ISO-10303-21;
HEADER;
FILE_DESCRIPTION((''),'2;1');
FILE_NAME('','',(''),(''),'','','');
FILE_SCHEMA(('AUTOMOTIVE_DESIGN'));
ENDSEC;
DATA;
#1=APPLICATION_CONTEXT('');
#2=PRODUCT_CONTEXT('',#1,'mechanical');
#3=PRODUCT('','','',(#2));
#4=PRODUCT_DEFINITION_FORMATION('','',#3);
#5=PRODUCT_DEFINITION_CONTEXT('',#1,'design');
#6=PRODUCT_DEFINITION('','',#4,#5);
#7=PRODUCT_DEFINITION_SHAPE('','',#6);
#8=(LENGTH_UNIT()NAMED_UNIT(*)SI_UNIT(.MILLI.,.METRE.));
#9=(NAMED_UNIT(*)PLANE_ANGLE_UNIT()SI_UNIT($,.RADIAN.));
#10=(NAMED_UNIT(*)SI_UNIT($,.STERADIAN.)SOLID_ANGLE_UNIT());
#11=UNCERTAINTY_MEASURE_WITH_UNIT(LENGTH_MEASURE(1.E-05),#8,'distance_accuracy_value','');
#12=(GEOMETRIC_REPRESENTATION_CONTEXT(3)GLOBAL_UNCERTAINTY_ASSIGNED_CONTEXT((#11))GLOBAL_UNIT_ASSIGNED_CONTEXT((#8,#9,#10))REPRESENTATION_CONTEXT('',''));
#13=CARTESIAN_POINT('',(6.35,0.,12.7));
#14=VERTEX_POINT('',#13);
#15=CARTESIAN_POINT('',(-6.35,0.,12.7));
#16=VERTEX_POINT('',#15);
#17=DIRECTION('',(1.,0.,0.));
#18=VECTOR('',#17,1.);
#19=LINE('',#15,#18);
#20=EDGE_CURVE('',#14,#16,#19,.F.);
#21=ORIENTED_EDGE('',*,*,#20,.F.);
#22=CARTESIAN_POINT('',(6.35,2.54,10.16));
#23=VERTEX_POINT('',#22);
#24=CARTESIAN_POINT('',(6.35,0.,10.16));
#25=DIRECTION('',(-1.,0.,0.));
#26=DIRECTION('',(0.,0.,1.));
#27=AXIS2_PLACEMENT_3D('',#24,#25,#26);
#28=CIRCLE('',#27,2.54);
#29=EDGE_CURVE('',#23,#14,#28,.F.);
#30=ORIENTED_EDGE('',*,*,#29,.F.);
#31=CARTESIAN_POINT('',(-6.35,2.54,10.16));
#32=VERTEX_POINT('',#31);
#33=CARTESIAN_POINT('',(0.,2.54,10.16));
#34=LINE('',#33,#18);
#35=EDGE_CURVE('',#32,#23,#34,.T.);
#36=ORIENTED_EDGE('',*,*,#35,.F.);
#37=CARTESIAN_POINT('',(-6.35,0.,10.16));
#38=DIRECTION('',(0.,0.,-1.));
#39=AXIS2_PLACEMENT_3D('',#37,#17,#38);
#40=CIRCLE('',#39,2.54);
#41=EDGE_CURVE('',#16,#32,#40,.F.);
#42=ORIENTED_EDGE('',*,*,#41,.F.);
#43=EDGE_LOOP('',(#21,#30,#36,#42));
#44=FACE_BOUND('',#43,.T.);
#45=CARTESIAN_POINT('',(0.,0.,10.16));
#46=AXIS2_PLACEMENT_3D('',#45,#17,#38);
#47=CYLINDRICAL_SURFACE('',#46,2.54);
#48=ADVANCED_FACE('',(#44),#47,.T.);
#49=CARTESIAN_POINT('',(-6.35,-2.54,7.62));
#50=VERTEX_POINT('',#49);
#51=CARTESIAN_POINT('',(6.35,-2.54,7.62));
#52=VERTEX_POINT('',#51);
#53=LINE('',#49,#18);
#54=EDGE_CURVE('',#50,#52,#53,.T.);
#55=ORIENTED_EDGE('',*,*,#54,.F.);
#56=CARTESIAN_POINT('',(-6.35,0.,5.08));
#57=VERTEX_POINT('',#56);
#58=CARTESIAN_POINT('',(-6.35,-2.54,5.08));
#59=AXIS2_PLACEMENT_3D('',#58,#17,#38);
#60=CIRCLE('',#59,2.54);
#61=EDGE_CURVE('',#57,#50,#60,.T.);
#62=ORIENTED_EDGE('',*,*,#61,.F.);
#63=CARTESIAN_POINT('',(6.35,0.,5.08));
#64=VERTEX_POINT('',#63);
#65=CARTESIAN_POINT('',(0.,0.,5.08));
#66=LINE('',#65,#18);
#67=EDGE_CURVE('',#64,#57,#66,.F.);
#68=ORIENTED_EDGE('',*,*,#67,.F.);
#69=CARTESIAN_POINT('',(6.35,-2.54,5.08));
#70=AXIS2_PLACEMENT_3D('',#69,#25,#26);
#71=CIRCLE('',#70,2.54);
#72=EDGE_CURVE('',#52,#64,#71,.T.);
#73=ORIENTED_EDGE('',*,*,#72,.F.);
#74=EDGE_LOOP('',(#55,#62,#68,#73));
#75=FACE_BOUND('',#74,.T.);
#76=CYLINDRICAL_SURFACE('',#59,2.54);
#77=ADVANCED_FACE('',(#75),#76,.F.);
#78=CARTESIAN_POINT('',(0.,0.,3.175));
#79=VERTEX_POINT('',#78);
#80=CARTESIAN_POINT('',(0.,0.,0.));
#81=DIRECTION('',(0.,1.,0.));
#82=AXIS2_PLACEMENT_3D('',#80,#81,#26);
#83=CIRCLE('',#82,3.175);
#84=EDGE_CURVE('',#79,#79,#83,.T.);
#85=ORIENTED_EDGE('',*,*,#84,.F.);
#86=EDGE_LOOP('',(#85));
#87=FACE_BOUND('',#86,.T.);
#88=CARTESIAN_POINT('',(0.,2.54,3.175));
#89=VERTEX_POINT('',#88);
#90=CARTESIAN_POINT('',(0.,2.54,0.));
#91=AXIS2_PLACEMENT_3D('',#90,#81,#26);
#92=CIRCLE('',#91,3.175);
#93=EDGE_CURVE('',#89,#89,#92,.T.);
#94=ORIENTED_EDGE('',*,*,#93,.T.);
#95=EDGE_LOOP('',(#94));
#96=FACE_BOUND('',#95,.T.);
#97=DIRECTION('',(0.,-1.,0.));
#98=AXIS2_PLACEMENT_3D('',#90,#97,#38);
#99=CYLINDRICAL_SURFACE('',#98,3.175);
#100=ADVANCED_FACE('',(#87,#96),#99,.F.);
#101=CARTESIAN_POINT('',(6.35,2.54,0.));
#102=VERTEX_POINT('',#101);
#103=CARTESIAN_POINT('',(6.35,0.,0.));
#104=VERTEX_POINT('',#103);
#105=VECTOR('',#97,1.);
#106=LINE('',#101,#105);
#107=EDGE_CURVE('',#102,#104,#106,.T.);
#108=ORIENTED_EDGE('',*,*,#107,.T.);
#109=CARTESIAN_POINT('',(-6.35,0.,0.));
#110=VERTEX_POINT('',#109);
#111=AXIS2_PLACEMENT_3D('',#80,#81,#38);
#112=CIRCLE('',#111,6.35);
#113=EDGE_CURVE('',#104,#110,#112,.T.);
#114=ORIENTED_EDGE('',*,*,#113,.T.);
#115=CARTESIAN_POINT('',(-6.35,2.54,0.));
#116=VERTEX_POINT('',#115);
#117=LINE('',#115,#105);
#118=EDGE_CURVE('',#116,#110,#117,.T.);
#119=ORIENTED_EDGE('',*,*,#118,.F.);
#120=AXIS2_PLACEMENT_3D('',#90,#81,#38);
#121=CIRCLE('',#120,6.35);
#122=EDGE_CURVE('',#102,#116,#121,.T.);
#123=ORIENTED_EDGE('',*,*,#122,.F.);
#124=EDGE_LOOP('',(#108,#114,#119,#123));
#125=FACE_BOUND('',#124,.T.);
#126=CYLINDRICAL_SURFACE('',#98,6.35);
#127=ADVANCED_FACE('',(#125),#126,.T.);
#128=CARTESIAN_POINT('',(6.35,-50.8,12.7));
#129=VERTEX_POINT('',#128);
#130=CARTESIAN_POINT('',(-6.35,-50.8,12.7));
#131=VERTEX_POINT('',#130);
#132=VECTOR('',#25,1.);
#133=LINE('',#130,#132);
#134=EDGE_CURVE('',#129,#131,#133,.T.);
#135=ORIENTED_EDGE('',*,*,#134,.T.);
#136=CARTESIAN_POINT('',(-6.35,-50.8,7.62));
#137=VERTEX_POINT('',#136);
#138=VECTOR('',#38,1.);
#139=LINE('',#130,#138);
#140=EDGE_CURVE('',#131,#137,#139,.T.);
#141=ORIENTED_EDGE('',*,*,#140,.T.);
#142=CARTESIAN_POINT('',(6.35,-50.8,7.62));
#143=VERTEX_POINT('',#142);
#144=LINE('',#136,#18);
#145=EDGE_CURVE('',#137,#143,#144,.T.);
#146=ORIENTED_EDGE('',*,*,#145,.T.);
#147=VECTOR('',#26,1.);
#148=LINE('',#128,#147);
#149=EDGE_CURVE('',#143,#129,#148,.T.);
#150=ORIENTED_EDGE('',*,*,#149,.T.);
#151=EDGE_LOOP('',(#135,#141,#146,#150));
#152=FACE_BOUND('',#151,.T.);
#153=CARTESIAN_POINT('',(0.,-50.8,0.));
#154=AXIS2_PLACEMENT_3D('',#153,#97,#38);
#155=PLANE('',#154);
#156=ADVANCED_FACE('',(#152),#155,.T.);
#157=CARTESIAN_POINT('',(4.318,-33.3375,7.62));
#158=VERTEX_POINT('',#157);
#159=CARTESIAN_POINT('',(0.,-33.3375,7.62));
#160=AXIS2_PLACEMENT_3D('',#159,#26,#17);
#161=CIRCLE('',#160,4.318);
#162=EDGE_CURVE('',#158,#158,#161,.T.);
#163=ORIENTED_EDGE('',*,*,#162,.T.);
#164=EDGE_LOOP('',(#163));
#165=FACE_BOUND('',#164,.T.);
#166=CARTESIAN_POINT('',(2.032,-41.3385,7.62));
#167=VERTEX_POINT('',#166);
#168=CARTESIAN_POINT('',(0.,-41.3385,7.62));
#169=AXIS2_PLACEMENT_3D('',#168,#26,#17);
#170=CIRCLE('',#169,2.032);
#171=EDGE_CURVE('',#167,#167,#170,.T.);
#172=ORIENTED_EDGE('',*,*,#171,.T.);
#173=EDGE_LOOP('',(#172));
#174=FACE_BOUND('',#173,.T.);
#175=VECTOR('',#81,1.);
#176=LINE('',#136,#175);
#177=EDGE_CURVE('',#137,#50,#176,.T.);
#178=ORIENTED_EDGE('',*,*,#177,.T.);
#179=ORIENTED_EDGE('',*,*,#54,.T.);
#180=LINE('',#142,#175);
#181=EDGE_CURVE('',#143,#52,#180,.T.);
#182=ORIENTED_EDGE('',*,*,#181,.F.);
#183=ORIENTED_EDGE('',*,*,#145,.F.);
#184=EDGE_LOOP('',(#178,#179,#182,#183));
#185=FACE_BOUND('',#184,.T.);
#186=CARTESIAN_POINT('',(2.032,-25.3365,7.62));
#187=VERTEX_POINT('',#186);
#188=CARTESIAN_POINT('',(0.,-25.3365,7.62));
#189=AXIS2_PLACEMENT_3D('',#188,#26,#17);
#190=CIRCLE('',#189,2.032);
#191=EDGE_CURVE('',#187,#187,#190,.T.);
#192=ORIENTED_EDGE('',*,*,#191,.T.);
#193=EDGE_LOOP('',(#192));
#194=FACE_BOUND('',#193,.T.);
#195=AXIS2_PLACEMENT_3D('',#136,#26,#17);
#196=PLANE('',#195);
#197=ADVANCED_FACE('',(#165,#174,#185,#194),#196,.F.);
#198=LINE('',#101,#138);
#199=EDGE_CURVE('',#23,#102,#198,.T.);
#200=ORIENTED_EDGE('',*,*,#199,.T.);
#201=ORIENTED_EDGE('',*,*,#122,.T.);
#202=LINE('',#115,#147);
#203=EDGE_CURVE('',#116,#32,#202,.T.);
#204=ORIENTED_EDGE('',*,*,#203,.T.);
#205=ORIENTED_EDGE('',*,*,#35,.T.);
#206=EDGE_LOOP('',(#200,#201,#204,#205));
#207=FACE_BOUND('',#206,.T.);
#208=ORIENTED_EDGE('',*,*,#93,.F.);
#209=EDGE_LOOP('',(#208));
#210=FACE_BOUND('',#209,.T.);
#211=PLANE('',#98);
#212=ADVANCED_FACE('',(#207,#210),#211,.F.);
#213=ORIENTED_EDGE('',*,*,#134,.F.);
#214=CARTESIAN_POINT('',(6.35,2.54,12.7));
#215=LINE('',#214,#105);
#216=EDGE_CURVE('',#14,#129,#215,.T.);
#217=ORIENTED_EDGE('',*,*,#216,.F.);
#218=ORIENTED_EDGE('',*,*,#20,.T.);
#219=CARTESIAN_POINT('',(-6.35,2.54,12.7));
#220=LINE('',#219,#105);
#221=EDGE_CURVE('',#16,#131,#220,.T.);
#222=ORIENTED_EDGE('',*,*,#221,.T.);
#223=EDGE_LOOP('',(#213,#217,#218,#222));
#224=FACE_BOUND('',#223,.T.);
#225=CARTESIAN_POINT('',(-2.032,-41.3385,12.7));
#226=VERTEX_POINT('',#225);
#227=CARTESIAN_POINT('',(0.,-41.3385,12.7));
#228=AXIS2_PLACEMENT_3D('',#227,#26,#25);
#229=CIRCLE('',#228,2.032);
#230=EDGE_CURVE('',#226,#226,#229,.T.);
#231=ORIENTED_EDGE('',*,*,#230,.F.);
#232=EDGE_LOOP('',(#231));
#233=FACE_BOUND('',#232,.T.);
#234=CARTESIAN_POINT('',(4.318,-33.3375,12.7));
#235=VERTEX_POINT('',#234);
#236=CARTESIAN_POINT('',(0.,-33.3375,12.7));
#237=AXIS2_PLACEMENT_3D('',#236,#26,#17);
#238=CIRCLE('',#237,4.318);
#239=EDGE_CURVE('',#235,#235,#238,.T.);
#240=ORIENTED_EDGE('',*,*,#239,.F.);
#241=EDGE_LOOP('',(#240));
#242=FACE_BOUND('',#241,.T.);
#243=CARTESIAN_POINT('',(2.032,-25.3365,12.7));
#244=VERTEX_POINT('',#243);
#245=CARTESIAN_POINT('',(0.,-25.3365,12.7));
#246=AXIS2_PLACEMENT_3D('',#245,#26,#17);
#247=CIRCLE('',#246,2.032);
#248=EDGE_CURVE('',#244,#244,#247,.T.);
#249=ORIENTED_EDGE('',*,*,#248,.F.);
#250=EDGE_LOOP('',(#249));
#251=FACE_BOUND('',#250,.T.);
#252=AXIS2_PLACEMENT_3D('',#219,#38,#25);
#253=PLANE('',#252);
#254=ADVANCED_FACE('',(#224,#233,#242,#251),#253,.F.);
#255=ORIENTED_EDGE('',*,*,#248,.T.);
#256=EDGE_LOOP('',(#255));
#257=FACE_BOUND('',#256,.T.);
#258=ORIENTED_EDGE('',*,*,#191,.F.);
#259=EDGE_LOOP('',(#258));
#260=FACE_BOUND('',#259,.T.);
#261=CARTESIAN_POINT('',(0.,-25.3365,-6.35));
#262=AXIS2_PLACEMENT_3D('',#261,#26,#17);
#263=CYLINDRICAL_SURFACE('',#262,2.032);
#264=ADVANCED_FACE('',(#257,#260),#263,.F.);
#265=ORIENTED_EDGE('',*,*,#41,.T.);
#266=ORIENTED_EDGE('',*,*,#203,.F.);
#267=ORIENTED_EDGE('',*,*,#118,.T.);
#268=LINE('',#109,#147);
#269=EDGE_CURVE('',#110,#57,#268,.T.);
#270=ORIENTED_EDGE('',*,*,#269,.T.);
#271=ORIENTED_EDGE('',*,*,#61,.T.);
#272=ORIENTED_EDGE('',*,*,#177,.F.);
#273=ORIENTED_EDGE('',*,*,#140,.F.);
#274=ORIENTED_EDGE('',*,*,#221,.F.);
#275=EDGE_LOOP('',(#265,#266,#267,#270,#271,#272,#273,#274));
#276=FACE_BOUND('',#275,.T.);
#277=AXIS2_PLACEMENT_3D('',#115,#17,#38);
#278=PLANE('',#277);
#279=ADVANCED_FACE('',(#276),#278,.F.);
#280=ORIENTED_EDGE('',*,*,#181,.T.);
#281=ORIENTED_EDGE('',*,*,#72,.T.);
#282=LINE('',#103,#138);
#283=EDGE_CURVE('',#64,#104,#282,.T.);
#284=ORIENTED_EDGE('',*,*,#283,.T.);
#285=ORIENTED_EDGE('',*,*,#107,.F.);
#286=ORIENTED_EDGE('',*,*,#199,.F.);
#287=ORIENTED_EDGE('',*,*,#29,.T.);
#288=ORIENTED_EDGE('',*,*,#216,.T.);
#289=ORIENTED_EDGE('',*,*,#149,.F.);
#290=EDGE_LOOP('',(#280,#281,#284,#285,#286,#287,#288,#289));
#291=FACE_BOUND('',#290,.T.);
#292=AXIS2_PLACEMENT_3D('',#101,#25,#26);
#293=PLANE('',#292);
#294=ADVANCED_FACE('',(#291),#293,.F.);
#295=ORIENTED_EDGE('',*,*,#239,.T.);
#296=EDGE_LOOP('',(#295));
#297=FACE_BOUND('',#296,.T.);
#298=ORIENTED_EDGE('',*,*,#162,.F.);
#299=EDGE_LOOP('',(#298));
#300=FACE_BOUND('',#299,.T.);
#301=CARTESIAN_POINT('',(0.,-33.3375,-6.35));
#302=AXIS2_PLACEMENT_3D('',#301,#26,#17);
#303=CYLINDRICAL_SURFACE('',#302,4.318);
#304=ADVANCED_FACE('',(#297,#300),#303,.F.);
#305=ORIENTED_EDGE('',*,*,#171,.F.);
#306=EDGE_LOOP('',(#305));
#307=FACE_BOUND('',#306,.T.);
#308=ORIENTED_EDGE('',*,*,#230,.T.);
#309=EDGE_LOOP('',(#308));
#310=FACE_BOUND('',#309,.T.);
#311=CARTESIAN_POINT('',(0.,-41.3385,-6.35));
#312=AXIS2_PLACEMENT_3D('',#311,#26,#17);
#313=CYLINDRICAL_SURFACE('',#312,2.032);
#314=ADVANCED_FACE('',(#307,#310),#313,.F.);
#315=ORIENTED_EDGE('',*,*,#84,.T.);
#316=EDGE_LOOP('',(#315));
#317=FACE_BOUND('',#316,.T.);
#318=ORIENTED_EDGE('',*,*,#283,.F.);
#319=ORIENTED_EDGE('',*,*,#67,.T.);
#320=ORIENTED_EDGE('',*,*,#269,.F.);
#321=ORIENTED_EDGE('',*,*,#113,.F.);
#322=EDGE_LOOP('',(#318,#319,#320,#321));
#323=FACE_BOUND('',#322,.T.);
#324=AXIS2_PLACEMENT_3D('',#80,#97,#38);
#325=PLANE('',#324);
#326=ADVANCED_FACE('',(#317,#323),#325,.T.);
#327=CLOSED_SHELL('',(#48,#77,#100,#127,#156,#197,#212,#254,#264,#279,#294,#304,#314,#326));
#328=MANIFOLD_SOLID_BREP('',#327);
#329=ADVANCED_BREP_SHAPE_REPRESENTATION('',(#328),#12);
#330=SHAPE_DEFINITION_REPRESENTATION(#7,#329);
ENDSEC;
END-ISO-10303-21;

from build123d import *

# Parameters (mm, degrees)
SKETCH2_R           = 3.175
BOSS_EXTRUDE1_DEPTH = 2.54
SKETCH4_W           = 12.7
SKETCH4_H           = 5.08
BOSS_EXTRUDE2_DEPTH = 50.8
FILLET1_R           = 2.54
FILLET2_R           = 2.54
SKETCH5_R           = 4.318
SKETCH5_R_2         = 2.032
CUT_EXTRUDE1_DEPTH  = 55.624765446
CIRPATTERN1_COUNT   = 2


with BuildPart() as part:
    # Sketch2 → Boss-Extrude1 (new body)
    with BuildSketch(Plane(origin=(0, 0, 0), x_dir=(1, 0, 0), z_dir=(0, 1, 0))):
        with BuildLine():
            Line((-6.35, 0), (-6.35, -12.7))
            Line((-6.35, -12.7), (6.35, -12.7))
            Line((6.35, -12.7), (6.35, 0))
            ThreePointArc((6.35, 0), (0, 6.35), (-6.35, 0))
        make_face()
        with Locations(Location((0, 0, 0), (0, 0, 270))):
            Circle(SKETCH2_R, mode=Mode.SUBTRACT)
    extrude(amount=BOSS_EXTRUDE1_DEPTH)

    # Sketch4 → Boss-Extrude2 (add)
    with BuildSketch(Plane.XZ):
        with Locations((0, 10.16)):
            Rectangle(SKETCH4_W, SKETCH4_H)
    extrude(amount=BOSS_EXTRUDE2_DEPTH)

    # Fillet1
    fillet1_edges = [part.edges().sort_by_distance(p)[0] for p in [
        (0, 2.54, 12.7),
    ]]
    fillet(fillet1_edges, radius=FILLET1_R)

    # Fillet2
    fillet2_edges = [part.edges().sort_by_distance(p)[0] for p in [
        (0, 0, 7.62),
    ]]
    fillet(fillet2_edges, radius=FILLET2_R)

    # Sketch5 → Cut-Extrude1 (cut, through all)
    with BuildSketch(Plane.XY.offset(12.7)):
        with Locations((0, -33.3375)):
            Circle(SKETCH5_R)
        with Locations((0, -25.3365)):
            Circle(SKETCH5_R_2)
    cut_extrude1 = extrude(amount=-CUT_EXTRUDE1_DEPTH, mode=Mode.SUBTRACT)

    # CirPattern1: Cut-Extrude1 ×2 about axis
    cirpattern1_axis = Axis((0, -33.3375, 0), (0, 0, 1))
    for i in range(1, CIRPATTERN1_COUNT):
        add(cut_extrude1.rotate(cirpattern1_axis, i * 360 / CIRPATTERN1_COUNT), mode=Mode.SUBTRACT)


solid = part.part
